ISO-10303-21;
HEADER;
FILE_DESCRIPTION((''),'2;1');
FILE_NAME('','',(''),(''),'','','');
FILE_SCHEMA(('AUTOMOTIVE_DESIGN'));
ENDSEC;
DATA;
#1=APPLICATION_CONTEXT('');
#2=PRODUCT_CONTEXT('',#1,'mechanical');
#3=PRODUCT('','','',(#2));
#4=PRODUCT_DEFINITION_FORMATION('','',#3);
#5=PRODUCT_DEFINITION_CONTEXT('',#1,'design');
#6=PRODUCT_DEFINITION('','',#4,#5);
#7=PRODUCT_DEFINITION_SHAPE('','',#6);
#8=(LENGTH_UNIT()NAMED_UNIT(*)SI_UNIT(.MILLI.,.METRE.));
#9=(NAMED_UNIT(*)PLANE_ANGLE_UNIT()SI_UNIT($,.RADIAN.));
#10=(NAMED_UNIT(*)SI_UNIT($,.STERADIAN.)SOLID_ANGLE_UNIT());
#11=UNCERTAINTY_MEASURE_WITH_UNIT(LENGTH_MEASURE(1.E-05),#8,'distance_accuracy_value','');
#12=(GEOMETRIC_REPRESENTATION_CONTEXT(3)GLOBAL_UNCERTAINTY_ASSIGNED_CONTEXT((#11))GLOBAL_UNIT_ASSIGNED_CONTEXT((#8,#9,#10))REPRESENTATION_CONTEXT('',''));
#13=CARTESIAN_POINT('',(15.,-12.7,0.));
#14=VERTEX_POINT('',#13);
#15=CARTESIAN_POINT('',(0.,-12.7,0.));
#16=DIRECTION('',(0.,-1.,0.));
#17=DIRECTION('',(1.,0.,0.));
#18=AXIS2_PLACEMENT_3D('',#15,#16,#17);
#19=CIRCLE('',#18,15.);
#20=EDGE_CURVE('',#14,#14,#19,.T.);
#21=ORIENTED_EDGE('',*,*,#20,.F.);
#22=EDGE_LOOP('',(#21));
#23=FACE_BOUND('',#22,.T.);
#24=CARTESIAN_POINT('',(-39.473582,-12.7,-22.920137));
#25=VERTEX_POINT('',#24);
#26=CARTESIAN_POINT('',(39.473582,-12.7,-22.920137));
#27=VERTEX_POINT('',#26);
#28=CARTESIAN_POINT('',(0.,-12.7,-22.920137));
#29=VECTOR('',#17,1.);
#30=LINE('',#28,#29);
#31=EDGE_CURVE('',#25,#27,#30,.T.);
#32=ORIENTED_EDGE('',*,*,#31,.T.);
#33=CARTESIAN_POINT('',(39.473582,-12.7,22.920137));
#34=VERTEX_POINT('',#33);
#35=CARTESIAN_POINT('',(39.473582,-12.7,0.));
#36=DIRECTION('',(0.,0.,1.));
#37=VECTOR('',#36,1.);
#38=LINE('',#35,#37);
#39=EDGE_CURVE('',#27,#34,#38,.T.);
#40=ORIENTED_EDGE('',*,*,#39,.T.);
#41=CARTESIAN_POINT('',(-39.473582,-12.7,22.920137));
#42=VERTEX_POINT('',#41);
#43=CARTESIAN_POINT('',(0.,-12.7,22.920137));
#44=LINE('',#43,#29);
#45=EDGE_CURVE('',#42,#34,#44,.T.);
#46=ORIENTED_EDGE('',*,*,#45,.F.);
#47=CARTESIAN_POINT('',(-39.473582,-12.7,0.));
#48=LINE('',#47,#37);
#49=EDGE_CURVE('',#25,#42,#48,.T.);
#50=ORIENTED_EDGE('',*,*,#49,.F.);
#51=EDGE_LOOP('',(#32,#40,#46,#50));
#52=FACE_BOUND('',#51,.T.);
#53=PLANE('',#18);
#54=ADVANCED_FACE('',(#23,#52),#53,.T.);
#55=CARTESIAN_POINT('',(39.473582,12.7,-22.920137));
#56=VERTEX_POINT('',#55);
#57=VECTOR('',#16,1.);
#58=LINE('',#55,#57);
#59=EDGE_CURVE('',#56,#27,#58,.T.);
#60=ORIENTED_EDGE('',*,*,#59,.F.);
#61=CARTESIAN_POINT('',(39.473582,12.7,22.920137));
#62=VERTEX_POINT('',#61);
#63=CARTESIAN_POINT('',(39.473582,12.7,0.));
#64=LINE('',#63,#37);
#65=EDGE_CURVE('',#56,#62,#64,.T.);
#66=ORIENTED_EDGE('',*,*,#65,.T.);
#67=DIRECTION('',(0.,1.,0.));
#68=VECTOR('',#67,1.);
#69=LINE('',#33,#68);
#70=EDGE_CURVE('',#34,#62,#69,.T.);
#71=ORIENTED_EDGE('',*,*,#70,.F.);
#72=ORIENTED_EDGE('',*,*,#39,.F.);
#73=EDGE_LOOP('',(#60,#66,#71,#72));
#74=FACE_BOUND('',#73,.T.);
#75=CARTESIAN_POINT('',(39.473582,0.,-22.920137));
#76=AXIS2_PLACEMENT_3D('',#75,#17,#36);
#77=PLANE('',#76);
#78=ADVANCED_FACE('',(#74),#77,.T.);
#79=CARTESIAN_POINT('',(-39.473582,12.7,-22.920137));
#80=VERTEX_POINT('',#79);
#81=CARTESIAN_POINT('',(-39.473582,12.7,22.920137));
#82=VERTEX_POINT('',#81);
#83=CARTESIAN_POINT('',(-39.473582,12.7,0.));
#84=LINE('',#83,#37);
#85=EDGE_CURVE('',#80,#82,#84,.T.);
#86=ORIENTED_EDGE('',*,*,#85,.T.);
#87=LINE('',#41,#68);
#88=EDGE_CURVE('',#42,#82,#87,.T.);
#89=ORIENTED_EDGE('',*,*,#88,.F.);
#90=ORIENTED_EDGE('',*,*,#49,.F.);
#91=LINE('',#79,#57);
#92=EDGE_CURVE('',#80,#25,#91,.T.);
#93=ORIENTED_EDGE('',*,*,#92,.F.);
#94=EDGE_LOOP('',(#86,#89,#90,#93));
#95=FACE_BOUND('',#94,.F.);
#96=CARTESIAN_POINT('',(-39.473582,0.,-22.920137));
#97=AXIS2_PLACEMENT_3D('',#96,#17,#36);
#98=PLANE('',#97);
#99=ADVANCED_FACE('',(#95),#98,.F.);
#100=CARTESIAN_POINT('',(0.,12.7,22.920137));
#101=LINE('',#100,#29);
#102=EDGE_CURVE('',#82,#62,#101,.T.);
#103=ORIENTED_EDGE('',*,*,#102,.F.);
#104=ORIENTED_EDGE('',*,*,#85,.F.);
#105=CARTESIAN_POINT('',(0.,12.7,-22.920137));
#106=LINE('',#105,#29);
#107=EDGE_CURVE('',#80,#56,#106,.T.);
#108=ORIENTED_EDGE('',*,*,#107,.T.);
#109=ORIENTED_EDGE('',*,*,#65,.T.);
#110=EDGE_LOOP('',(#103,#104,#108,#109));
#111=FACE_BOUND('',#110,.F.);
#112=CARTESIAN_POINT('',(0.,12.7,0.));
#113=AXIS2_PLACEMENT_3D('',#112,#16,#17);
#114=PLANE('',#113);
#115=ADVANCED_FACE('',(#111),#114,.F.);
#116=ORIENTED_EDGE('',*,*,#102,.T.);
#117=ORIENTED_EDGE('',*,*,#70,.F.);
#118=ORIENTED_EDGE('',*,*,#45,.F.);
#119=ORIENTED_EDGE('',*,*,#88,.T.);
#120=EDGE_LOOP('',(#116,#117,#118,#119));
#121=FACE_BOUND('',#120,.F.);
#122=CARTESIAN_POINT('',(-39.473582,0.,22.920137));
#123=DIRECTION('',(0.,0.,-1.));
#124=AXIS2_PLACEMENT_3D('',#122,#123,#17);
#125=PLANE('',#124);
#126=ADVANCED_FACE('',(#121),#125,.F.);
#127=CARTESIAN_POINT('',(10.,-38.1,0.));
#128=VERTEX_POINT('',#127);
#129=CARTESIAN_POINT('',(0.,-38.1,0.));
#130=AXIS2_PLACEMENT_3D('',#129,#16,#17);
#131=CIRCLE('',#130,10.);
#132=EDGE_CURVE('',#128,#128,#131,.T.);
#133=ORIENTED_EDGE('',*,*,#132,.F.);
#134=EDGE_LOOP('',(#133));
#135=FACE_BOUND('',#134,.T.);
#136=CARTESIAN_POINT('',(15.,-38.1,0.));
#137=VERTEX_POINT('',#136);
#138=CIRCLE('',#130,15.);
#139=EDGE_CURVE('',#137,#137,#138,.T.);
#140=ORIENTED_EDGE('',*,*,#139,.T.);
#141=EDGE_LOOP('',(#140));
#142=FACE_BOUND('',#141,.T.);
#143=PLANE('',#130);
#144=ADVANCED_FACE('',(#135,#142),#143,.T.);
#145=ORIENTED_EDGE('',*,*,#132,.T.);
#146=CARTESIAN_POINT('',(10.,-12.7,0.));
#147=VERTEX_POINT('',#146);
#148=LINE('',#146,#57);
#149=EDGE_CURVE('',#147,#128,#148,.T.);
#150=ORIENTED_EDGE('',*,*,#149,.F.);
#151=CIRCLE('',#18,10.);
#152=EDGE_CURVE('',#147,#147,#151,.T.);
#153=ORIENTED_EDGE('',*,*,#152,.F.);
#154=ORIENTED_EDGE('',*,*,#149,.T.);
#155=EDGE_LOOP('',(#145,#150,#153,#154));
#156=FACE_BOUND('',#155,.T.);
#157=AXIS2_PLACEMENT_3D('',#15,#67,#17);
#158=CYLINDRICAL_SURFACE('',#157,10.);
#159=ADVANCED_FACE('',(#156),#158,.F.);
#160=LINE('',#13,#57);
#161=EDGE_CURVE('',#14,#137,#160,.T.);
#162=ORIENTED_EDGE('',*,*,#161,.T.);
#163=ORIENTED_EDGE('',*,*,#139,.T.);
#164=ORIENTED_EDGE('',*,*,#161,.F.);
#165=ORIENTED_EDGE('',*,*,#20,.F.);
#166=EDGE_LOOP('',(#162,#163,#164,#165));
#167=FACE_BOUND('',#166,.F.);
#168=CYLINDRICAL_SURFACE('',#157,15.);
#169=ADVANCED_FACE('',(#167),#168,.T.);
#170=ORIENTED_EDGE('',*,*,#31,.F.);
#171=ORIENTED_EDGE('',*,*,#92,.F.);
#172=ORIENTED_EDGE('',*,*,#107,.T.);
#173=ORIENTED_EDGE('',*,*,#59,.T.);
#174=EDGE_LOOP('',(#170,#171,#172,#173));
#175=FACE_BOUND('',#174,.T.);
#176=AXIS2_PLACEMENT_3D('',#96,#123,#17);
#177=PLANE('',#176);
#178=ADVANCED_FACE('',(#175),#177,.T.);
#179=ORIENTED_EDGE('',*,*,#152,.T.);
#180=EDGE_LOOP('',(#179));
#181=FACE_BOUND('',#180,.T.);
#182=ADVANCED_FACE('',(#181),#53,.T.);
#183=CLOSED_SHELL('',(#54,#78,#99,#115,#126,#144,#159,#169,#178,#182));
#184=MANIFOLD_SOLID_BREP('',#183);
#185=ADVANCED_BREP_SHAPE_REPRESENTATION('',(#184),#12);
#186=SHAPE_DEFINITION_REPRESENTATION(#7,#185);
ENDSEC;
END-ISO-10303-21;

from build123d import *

# Parameters (mm, degrees)
F0_W     = 78.947164
F0_H     = 45.840274
F1_DEPTH = 12.7
F2_R     = 15
F2_R_2   = 10
F3_DEPTH = 25.4


with BuildPart() as f1:
    # F0 (on Front) → F1 (new body, symmetric)
    with BuildSketch(Plane.XZ):
        Rectangle(F0_W, F0_H)
    extrude(amount=F1_DEPTH, both=True)

    # F2 (on face) → F3 (join)
    with BuildSketch(Plane.XZ.offset(12.7)):
        Circle(F2_R)
        Circle(F2_R_2, mode=Mode.SUBTRACT)
    extrude(amount=F3_DEPTH)


solid = f1.part
